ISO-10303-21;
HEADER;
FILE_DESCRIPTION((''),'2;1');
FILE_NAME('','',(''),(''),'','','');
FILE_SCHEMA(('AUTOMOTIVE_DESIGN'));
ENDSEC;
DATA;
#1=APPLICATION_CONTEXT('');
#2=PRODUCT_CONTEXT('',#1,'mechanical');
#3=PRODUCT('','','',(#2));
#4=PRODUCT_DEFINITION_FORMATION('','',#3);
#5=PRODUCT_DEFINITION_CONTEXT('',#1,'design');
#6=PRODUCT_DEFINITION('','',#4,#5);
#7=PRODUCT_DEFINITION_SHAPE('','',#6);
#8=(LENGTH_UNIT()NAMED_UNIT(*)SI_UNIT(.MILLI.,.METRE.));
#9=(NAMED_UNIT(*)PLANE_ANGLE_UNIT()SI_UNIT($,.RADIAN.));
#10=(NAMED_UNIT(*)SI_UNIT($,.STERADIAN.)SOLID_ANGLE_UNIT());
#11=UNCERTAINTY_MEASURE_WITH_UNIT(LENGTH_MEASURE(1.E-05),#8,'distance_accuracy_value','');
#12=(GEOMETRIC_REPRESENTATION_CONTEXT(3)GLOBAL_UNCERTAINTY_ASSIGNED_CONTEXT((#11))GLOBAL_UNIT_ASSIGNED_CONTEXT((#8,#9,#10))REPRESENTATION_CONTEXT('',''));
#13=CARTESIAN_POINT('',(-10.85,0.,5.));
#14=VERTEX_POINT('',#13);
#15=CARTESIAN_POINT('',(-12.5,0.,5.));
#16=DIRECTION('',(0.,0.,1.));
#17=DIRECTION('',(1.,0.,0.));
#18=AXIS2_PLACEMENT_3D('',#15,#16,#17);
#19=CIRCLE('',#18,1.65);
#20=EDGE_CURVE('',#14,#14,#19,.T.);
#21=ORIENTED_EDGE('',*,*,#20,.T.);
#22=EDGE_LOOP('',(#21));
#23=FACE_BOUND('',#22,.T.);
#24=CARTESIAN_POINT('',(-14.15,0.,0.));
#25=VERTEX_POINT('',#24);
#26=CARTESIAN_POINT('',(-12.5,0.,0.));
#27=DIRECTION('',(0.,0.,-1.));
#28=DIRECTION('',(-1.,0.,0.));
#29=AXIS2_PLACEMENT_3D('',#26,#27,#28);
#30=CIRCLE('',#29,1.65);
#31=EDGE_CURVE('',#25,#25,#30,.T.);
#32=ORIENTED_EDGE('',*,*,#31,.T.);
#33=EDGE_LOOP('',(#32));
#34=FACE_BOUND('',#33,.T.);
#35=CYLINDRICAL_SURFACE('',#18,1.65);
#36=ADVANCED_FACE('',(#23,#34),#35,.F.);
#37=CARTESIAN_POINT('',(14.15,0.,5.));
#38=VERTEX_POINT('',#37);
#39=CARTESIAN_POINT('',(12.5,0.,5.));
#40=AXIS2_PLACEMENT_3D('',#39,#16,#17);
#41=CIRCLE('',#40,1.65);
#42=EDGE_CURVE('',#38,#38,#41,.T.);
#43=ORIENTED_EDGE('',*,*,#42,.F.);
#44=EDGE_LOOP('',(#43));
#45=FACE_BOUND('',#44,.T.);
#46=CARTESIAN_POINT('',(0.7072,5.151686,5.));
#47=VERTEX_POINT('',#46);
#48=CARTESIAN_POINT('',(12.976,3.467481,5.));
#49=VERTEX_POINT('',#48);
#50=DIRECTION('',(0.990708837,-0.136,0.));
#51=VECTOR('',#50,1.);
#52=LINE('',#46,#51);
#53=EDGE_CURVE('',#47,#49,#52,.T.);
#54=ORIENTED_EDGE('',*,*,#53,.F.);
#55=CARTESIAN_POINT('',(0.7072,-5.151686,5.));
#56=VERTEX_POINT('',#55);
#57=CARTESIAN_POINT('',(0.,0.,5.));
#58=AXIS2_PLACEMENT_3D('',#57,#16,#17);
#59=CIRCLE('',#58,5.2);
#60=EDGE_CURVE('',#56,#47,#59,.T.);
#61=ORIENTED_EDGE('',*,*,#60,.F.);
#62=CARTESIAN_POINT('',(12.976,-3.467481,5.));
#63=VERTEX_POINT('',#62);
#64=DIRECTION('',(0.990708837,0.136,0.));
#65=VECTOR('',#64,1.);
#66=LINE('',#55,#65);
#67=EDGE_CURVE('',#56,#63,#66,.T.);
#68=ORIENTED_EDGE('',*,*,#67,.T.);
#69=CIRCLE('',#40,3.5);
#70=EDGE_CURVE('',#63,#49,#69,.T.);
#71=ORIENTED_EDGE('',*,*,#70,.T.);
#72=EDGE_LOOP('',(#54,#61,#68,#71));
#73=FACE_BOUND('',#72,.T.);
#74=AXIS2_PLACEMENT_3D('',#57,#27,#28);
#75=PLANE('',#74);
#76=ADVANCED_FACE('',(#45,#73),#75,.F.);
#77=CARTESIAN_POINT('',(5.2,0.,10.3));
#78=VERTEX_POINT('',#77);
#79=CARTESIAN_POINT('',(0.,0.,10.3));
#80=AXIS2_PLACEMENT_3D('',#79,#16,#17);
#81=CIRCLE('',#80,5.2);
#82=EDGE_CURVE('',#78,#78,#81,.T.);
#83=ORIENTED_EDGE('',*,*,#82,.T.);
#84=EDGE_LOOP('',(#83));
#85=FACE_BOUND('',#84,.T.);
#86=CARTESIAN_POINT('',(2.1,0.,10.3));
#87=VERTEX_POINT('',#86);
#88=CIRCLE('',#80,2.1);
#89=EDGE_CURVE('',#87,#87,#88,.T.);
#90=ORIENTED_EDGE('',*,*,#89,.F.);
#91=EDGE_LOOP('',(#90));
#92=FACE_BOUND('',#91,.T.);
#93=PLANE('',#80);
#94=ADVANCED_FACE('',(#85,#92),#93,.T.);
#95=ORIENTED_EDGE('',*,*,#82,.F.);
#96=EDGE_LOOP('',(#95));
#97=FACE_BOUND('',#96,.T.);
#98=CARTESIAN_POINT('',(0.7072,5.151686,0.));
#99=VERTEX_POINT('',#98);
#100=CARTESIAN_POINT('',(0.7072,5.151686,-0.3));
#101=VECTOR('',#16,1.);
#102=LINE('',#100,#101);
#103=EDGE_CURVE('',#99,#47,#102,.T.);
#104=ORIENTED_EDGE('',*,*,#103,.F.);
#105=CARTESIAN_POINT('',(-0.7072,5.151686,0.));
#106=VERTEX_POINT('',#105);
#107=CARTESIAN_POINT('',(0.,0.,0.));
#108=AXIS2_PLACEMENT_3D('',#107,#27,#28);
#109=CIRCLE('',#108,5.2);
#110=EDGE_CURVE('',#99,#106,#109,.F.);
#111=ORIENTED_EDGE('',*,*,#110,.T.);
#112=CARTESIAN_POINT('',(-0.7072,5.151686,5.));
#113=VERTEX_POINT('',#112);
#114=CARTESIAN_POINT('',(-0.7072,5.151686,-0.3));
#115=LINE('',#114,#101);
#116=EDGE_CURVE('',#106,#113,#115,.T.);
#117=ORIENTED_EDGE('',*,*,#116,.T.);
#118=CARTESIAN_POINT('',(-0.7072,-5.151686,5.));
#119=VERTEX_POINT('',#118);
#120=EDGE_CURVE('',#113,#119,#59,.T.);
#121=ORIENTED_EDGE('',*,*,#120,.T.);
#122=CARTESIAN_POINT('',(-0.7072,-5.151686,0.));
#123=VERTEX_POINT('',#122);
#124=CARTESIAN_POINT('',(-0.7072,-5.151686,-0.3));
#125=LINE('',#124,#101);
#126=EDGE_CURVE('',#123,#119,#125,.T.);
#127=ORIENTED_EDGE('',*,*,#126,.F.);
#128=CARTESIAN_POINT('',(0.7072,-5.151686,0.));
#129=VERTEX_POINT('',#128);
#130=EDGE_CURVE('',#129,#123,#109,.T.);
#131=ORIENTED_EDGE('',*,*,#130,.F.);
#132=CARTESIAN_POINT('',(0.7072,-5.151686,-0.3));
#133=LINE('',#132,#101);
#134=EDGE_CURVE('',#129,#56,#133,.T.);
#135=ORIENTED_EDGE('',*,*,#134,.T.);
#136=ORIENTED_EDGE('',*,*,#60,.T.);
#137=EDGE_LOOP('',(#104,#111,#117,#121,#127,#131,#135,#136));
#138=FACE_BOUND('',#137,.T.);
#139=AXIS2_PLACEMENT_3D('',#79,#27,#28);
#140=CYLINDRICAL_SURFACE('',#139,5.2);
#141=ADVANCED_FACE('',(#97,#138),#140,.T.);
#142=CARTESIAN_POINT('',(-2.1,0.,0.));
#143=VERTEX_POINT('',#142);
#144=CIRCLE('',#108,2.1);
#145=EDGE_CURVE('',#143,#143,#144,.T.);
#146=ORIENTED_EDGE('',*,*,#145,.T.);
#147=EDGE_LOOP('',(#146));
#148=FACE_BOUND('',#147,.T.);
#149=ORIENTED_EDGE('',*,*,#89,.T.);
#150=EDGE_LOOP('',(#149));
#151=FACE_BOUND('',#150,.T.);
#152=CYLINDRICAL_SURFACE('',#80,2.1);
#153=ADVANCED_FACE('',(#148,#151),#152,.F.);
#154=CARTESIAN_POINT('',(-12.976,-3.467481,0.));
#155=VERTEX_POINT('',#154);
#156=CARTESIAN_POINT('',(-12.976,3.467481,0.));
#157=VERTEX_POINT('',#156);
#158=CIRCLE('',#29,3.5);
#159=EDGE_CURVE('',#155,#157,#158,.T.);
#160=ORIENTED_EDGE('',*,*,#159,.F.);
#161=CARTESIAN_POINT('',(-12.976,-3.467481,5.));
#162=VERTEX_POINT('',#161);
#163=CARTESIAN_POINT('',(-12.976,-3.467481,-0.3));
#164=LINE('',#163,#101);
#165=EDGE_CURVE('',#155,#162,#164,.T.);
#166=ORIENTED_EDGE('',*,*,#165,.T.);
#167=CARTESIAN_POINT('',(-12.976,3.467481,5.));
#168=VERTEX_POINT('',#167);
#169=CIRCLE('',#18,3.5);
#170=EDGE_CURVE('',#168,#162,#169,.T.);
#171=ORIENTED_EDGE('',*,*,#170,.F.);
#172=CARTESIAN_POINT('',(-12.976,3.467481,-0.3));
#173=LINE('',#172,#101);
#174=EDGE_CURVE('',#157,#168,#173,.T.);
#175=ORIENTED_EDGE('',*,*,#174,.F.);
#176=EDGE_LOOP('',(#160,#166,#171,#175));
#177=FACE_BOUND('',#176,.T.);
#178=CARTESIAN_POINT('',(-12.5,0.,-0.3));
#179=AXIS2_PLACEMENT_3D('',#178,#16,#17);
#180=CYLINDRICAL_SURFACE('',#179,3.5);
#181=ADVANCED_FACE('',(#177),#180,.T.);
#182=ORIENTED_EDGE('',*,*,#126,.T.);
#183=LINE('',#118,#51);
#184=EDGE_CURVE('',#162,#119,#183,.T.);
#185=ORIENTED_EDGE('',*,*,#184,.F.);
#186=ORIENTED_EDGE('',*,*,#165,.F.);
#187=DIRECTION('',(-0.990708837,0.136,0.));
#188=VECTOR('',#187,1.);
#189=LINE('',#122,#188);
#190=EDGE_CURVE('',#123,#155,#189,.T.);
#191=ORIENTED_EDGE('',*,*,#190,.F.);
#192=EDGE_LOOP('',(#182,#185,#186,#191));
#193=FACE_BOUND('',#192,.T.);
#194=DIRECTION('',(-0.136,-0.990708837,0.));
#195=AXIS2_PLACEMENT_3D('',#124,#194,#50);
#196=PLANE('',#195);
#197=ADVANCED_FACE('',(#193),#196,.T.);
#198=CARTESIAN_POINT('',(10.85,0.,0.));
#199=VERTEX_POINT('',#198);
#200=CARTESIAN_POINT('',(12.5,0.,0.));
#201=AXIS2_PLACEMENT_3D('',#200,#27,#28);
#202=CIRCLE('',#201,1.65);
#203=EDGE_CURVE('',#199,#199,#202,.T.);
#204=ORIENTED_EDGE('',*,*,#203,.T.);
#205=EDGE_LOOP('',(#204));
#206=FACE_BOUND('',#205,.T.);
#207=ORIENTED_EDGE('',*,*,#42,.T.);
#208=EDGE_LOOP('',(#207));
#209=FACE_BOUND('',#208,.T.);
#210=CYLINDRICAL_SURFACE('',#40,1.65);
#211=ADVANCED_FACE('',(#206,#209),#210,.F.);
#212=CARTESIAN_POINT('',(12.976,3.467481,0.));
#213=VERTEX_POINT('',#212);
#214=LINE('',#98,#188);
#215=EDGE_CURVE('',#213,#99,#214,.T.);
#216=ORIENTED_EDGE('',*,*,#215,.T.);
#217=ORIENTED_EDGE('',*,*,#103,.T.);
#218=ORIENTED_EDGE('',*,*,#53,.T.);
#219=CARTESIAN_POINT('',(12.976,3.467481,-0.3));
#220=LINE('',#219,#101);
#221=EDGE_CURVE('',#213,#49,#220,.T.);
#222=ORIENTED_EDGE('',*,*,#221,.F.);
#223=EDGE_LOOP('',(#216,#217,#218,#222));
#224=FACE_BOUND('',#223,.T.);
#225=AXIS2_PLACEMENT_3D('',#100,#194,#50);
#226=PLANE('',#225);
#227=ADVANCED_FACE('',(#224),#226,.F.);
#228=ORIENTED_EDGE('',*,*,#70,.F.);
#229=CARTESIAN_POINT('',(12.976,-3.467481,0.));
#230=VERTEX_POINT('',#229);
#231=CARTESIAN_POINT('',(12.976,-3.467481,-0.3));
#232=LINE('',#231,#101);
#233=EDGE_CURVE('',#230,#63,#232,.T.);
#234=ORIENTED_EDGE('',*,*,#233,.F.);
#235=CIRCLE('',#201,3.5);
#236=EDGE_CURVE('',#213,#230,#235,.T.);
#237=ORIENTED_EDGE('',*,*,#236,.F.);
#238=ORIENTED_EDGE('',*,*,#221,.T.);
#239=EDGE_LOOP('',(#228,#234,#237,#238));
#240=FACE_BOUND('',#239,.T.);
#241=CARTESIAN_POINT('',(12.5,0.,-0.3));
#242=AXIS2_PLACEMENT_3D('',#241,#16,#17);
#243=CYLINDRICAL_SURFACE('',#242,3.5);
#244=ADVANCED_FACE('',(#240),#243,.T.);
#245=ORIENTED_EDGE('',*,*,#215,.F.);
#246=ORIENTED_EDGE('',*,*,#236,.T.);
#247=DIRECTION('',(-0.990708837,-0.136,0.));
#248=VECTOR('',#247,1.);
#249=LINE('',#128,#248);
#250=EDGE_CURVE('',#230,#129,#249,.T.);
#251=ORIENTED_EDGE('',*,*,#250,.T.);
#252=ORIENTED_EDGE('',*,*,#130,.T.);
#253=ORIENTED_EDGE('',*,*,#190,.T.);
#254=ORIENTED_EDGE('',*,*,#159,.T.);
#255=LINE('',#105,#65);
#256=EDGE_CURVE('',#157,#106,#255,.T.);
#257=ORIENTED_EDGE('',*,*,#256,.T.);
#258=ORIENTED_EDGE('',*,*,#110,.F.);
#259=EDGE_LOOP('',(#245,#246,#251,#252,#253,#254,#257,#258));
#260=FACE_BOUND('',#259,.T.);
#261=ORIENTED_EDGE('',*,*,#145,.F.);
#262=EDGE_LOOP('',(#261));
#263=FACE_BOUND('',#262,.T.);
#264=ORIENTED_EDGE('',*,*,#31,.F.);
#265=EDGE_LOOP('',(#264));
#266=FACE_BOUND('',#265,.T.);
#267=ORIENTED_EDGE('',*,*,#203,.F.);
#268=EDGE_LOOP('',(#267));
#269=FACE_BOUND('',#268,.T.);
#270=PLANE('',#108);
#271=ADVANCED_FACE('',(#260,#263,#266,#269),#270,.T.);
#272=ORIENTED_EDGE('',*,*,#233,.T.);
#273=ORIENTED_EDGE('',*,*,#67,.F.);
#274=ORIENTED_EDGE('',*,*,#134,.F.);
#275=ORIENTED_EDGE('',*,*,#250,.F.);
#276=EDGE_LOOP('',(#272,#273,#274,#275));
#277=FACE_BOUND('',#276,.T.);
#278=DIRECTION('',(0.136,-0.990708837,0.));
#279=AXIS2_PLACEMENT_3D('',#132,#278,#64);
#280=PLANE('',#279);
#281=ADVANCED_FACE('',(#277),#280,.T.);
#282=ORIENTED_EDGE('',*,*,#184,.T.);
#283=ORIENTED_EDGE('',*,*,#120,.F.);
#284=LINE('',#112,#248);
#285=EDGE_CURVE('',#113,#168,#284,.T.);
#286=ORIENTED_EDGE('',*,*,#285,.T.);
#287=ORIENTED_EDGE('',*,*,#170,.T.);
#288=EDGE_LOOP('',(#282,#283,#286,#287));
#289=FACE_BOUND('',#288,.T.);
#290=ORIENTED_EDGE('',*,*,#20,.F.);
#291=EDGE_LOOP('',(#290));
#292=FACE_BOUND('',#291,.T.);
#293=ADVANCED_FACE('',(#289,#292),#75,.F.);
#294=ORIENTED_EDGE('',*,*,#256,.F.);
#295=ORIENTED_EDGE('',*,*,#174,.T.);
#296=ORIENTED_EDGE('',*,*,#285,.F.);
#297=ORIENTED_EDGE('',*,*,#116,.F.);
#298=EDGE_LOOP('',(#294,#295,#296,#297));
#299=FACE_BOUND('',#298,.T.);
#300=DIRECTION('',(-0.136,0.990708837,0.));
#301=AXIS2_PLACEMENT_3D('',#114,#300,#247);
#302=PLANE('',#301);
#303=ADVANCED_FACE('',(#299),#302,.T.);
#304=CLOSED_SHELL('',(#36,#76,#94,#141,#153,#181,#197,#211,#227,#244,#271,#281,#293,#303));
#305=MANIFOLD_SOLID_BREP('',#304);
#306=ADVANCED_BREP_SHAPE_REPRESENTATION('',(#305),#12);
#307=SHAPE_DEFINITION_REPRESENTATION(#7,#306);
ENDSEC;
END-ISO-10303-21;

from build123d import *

# Parameters (mm, degrees)
SKETCH_1_W             = 32
SKETCH_1_H             = 10.4
SKETCH_1_R             = 0.5
EXTRUDE_1_DEPTH        = 5
SKETCH_2_R             = 5.2
SKETCH_2_R_2           = 0.5
EXTRUDE_2_DEPTH        = 5.3
CUT_EXTRUDE_1_DEPTH    = 5.3
HOLE_WIZARD_M4_1_D     = 3.3
HOLE_WIZARD_M4_1_DEPTH = 10.1
HOLE_WIZARD_M4_1_TIP   = 0.991420021
HOLE_WIZARD_M5_1_D     = 4.2
HOLE_WIZARD_M5_1_DEPTH = 22.4
HOLE_WIZARD_M5_1_TIP   = 1.2618073


with BuildPart() as part:
    # 草图1 → 凸台-拉伸1 (new body)
    with BuildSketch(Plane.XY):
        Rectangle(SKETCH_1_W, SKETCH_1_H)
        with Locations((-12.5, 0)):
            Circle(SKETCH_1_R, mode=Mode.SUBTRACT)
        with Locations((12.5, 0)):
            Circle(SKETCH_1_R, mode=Mode.SUBTRACT)
        Circle(SKETCH_1_R, mode=Mode.SUBTRACT)
    extrude(amount=EXTRUDE_1_DEPTH)

    # 草图2 → 凸台-拉伸2 (add)
    with BuildSketch(Plane.XY.offset(5)):
        Circle(SKETCH_2_R)
        Circle(SKETCH_2_R_2, mode=Mode.SUBTRACT)
    extrude(amount=EXTRUDE_2_DEPTH)

    # 草图3 → 切除-拉伸1 (cut)
    with BuildSketch(Plane.XY.offset(5)):
        with BuildLine():
            Line((-12.976, 3.46748093), (-0.7072, 5.151685953))
            ThreePointArc((-0.7072, 5.151685953), (-0.354424212, 5.187907428), (0, 5.2))
            Line((0, 5.2), (-16, 5.2))
            Line((-16, 5.2), (-16, 0))
            ThreePointArc((-16, 0), (-15.137802115, 2.300434742), (-12.976, 3.46748093))
        make_face()
        with BuildLine():
            ThreePointArc((0, -5.2), (-0.354424212, -5.187907428), (-0.7072, -5.151685953))
            Line((-0.7072, -5.151685953), (-12.976, -3.46748093))
            ThreePointArc((-12.976, -3.46748093), (-15.137802115, -2.300434742), (-16, 0))
            Line((-16, 0), (-16, -5.2))
            Line((-16, -5.2), (0, -5.2))
        make_face()
        with BuildLine():
            ThreePointArc((0.7072, -5.151685953), (0.354424212, -5.187907428), (0, -5.2))
            Line((0, -5.2), (16, -5.2))
            Line((16, -5.2), (16, 0))
            ThreePointArc((16, 0), (15.137802115, -2.300434742), (12.976, -3.46748093))
            Line((12.976, -3.46748093), (0.7072, -5.151685953))
        make_face()
        with BuildLine():
            Line((16, 5.2), (0, 5.2))
            ThreePointArc((0, 5.2), (0.354424212, 5.187907428), (0.7072, 5.151685953))
            Line((0.7072, 5.151685953), (12.976, 3.46748093))
            ThreePointArc((12.976, 3.46748093), (15.137802115, 2.300434742), (16, 0))
            Line((16, 0), (16, 5.2))
        make_face()
    extrude(amount=-CUT_EXTRUDE_1_DEPTH, mode=Mode.SUBTRACT)

    # M4 螺纹孔1
    with Locations(Plane.XY.offset(5)):
        with Locations((-12.5, 0), (12.5, 0)):
            Hole(HOLE_WIZARD_M4_1_D / 2, depth=HOLE_WIZARD_M4_1_DEPTH)
            with Locations((0, 0, -(HOLE_WIZARD_M4_1_DEPTH + HOLE_WIZARD_M4_1_TIP / 2))):  # 118° drill point
                Cone(0, HOLE_WIZARD_M4_1_D / 2, HOLE_WIZARD_M4_1_TIP, mode=Mode.SUBTRACT)

    # M5 螺纹孔1
    with Locations(Plane.XY.offset(10.3)):
        with Locations((0, 0)):
            Hole(HOLE_WIZARD_M5_1_D / 2, depth=HOLE_WIZARD_M5_1_DEPTH)
            with Locations((0, 0, -(HOLE_WIZARD_M5_1_DEPTH + HOLE_WIZARD_M5_1_TIP / 2))):  # 118° drill point
                Cone(0, HOLE_WIZARD_M5_1_D / 2, HOLE_WIZARD_M5_1_TIP, mode=Mode.SUBTRACT)


solid = part.part
